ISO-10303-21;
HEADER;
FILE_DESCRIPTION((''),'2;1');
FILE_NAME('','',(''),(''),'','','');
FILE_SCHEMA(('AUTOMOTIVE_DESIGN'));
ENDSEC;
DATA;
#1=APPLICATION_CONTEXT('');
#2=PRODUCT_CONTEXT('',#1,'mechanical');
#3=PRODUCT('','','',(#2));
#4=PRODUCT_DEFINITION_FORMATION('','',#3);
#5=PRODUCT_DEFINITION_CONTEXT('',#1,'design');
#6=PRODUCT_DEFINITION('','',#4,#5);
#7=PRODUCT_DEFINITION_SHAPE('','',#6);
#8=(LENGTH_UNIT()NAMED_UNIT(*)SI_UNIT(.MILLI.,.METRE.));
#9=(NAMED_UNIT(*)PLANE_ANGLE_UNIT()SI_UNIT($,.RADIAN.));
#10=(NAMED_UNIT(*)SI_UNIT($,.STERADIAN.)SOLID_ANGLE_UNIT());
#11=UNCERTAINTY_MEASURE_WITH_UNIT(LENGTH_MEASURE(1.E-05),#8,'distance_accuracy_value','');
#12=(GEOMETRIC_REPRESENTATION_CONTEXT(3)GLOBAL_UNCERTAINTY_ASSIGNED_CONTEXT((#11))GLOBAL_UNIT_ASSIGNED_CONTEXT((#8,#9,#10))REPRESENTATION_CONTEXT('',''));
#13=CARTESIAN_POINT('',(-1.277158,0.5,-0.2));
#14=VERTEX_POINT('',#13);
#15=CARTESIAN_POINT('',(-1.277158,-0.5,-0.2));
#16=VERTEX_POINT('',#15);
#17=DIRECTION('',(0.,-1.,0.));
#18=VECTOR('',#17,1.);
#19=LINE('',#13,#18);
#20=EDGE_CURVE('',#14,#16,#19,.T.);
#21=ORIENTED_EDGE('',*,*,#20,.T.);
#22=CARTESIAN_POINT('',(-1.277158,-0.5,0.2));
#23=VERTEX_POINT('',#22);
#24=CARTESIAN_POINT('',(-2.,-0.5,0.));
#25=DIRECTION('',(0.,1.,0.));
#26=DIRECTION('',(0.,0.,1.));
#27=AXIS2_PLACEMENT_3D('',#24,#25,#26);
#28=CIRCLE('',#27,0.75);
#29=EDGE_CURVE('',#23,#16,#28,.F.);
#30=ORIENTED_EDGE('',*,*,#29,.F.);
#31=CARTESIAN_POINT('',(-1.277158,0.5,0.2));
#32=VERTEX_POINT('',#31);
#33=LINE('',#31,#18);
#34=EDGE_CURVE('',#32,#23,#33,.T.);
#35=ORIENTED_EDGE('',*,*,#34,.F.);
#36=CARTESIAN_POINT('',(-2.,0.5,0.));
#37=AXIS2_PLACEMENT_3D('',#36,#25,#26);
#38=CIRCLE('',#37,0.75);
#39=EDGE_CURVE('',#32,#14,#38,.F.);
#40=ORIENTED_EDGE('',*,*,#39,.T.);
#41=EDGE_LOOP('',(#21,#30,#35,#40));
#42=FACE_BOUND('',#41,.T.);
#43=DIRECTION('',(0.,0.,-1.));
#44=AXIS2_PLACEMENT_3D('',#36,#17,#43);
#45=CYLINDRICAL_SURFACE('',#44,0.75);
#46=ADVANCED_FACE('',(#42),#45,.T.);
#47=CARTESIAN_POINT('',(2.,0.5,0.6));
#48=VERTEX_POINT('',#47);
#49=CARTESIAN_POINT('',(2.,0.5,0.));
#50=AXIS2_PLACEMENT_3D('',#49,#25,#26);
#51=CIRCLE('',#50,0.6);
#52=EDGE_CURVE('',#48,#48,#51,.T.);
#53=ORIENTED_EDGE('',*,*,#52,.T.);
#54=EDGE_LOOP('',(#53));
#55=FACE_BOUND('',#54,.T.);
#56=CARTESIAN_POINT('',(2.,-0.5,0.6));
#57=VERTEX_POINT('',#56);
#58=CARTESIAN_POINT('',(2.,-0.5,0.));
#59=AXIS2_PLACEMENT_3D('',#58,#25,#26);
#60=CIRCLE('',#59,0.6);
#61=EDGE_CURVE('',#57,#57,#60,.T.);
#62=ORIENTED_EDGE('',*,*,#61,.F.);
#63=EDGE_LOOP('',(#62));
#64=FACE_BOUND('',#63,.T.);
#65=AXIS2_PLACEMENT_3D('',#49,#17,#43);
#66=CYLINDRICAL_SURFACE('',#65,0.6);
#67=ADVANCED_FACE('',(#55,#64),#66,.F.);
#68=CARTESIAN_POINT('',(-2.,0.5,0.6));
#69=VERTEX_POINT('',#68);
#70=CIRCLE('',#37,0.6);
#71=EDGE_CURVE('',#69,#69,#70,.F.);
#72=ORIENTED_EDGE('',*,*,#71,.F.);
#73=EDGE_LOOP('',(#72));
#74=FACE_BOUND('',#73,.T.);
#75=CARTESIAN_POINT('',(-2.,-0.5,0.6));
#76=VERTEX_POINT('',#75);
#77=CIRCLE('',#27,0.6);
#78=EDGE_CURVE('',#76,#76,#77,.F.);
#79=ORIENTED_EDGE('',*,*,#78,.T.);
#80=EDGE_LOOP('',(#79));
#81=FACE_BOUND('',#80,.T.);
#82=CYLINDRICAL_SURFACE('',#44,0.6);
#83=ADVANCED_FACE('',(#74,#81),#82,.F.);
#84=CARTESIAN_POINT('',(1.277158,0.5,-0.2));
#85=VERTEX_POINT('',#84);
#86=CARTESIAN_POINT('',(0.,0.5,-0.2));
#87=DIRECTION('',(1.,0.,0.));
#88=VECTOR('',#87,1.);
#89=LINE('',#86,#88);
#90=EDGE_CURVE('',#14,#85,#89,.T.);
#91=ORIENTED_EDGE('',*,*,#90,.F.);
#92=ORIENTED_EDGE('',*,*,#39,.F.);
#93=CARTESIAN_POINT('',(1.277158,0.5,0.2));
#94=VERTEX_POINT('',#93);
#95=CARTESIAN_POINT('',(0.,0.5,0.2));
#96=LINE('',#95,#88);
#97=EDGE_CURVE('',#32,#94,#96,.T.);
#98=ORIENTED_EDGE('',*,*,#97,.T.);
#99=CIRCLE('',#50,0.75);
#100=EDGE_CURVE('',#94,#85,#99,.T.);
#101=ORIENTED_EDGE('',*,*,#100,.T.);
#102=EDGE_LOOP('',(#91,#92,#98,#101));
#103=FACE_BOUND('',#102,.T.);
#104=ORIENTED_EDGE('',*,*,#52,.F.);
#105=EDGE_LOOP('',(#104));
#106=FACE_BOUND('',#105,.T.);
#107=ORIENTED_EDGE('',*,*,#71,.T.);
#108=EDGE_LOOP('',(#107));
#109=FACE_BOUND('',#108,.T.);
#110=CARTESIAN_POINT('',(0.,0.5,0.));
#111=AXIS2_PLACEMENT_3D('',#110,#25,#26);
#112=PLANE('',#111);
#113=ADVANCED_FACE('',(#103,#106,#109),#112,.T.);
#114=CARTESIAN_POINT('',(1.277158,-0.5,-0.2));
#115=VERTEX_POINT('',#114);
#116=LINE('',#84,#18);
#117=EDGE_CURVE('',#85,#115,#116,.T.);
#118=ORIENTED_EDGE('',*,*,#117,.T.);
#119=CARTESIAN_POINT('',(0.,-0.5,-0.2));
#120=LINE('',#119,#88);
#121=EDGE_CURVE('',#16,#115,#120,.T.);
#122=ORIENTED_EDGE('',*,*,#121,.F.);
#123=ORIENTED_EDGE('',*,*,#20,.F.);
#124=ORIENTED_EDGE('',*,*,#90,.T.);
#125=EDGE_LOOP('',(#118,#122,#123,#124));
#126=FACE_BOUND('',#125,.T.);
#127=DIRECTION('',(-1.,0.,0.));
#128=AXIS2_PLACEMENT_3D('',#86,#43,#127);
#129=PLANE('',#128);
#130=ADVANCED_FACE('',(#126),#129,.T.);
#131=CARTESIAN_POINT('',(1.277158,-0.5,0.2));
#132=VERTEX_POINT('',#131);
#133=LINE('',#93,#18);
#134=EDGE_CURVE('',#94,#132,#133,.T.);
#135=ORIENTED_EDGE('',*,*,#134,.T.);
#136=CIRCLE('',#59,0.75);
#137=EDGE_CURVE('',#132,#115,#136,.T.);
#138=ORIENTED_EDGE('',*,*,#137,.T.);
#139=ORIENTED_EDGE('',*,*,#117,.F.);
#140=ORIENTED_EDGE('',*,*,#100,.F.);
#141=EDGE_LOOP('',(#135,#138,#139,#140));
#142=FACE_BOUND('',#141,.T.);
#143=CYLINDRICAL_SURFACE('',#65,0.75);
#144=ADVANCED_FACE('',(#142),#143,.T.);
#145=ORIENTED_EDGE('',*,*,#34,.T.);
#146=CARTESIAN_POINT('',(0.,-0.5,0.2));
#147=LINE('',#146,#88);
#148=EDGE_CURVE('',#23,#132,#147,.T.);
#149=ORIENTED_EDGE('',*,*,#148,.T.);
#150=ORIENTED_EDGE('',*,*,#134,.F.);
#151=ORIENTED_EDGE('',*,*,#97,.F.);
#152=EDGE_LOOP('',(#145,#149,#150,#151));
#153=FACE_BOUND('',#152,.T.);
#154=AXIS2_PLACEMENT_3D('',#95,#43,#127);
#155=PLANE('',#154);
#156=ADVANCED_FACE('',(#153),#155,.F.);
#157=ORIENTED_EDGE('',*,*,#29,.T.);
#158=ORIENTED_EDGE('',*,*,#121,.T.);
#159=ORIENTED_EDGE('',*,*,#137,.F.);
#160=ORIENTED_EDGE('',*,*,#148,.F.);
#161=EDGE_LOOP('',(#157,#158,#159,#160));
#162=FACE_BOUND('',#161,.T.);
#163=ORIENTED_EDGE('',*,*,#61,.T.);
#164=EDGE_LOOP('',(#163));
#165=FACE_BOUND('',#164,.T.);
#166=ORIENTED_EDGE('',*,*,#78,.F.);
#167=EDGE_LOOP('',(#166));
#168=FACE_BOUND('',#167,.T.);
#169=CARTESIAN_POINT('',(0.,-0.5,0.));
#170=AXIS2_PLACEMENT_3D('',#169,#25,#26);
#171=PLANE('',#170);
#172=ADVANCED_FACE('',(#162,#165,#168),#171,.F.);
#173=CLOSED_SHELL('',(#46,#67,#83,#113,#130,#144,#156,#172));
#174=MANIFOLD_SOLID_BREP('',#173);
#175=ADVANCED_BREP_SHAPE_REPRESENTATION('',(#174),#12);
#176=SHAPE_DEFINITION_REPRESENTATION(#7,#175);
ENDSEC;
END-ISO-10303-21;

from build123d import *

# Parameters (mm, degrees)
SKETCH_1_R      = 0.75
SKETCH_1_R_2    = 0.6
EXTRUDE_1_DEPTH = 0.5


with BuildPart() as part:
    # 草图1 → 凸台-拉伸1 (new, symmetric)
    # profile 1 of 3: a face of its own
    with BuildSketch(Plane(origin=(0, 0, 0), x_dir=(1, 0, 0), z_dir=(0, 1, 0))):
        with BuildLine():
            Line((1.277158385, 0.2), (-1.277158385, 0.2))
            ThreePointArc((-1.277158385, 0.2), (-1.25682061, 0.100917761), (-1.25, 0))
            ThreePointArc((-1.25, 0), (-1.25682061, -0.100917761), (-1.277158385, -0.2))
            Line((-1.277158385, -0.2), (1.277158385, -0.2))
            ThreePointArc((1.277158385, -0.2), (1.25, 0), (1.277158385, 0.2))
        make_face()
    # profile 2 of 3: a face of its own
    with BuildSketch(Plane(origin=(0, 0, 0), x_dir=(1, 0, 0), z_dir=(0, 1, 0))):
        with Locations((2, 0)):
            Circle(SKETCH_1_R)
        with Locations(Location((2, 0, 0), (0, 0, 270))):
            Circle(SKETCH_1_R_2, mode=Mode.SUBTRACT)
    # profile 3 of 3: a face of its own
    with BuildSketch(Plane(origin=(0, 0, 0), x_dir=(1, 0, 0), z_dir=(0, 1, 0))):
        with Locations((-2, 0)):
            Circle(SKETCH_1_R)
        with Locations(Location((-2, 0, 0), (0, 0, 270))):
            Circle(SKETCH_1_R_2, mode=Mode.SUBTRACT)
    extrude(amount=EXTRUDE_1_DEPTH, both=True)


solid = part.part
